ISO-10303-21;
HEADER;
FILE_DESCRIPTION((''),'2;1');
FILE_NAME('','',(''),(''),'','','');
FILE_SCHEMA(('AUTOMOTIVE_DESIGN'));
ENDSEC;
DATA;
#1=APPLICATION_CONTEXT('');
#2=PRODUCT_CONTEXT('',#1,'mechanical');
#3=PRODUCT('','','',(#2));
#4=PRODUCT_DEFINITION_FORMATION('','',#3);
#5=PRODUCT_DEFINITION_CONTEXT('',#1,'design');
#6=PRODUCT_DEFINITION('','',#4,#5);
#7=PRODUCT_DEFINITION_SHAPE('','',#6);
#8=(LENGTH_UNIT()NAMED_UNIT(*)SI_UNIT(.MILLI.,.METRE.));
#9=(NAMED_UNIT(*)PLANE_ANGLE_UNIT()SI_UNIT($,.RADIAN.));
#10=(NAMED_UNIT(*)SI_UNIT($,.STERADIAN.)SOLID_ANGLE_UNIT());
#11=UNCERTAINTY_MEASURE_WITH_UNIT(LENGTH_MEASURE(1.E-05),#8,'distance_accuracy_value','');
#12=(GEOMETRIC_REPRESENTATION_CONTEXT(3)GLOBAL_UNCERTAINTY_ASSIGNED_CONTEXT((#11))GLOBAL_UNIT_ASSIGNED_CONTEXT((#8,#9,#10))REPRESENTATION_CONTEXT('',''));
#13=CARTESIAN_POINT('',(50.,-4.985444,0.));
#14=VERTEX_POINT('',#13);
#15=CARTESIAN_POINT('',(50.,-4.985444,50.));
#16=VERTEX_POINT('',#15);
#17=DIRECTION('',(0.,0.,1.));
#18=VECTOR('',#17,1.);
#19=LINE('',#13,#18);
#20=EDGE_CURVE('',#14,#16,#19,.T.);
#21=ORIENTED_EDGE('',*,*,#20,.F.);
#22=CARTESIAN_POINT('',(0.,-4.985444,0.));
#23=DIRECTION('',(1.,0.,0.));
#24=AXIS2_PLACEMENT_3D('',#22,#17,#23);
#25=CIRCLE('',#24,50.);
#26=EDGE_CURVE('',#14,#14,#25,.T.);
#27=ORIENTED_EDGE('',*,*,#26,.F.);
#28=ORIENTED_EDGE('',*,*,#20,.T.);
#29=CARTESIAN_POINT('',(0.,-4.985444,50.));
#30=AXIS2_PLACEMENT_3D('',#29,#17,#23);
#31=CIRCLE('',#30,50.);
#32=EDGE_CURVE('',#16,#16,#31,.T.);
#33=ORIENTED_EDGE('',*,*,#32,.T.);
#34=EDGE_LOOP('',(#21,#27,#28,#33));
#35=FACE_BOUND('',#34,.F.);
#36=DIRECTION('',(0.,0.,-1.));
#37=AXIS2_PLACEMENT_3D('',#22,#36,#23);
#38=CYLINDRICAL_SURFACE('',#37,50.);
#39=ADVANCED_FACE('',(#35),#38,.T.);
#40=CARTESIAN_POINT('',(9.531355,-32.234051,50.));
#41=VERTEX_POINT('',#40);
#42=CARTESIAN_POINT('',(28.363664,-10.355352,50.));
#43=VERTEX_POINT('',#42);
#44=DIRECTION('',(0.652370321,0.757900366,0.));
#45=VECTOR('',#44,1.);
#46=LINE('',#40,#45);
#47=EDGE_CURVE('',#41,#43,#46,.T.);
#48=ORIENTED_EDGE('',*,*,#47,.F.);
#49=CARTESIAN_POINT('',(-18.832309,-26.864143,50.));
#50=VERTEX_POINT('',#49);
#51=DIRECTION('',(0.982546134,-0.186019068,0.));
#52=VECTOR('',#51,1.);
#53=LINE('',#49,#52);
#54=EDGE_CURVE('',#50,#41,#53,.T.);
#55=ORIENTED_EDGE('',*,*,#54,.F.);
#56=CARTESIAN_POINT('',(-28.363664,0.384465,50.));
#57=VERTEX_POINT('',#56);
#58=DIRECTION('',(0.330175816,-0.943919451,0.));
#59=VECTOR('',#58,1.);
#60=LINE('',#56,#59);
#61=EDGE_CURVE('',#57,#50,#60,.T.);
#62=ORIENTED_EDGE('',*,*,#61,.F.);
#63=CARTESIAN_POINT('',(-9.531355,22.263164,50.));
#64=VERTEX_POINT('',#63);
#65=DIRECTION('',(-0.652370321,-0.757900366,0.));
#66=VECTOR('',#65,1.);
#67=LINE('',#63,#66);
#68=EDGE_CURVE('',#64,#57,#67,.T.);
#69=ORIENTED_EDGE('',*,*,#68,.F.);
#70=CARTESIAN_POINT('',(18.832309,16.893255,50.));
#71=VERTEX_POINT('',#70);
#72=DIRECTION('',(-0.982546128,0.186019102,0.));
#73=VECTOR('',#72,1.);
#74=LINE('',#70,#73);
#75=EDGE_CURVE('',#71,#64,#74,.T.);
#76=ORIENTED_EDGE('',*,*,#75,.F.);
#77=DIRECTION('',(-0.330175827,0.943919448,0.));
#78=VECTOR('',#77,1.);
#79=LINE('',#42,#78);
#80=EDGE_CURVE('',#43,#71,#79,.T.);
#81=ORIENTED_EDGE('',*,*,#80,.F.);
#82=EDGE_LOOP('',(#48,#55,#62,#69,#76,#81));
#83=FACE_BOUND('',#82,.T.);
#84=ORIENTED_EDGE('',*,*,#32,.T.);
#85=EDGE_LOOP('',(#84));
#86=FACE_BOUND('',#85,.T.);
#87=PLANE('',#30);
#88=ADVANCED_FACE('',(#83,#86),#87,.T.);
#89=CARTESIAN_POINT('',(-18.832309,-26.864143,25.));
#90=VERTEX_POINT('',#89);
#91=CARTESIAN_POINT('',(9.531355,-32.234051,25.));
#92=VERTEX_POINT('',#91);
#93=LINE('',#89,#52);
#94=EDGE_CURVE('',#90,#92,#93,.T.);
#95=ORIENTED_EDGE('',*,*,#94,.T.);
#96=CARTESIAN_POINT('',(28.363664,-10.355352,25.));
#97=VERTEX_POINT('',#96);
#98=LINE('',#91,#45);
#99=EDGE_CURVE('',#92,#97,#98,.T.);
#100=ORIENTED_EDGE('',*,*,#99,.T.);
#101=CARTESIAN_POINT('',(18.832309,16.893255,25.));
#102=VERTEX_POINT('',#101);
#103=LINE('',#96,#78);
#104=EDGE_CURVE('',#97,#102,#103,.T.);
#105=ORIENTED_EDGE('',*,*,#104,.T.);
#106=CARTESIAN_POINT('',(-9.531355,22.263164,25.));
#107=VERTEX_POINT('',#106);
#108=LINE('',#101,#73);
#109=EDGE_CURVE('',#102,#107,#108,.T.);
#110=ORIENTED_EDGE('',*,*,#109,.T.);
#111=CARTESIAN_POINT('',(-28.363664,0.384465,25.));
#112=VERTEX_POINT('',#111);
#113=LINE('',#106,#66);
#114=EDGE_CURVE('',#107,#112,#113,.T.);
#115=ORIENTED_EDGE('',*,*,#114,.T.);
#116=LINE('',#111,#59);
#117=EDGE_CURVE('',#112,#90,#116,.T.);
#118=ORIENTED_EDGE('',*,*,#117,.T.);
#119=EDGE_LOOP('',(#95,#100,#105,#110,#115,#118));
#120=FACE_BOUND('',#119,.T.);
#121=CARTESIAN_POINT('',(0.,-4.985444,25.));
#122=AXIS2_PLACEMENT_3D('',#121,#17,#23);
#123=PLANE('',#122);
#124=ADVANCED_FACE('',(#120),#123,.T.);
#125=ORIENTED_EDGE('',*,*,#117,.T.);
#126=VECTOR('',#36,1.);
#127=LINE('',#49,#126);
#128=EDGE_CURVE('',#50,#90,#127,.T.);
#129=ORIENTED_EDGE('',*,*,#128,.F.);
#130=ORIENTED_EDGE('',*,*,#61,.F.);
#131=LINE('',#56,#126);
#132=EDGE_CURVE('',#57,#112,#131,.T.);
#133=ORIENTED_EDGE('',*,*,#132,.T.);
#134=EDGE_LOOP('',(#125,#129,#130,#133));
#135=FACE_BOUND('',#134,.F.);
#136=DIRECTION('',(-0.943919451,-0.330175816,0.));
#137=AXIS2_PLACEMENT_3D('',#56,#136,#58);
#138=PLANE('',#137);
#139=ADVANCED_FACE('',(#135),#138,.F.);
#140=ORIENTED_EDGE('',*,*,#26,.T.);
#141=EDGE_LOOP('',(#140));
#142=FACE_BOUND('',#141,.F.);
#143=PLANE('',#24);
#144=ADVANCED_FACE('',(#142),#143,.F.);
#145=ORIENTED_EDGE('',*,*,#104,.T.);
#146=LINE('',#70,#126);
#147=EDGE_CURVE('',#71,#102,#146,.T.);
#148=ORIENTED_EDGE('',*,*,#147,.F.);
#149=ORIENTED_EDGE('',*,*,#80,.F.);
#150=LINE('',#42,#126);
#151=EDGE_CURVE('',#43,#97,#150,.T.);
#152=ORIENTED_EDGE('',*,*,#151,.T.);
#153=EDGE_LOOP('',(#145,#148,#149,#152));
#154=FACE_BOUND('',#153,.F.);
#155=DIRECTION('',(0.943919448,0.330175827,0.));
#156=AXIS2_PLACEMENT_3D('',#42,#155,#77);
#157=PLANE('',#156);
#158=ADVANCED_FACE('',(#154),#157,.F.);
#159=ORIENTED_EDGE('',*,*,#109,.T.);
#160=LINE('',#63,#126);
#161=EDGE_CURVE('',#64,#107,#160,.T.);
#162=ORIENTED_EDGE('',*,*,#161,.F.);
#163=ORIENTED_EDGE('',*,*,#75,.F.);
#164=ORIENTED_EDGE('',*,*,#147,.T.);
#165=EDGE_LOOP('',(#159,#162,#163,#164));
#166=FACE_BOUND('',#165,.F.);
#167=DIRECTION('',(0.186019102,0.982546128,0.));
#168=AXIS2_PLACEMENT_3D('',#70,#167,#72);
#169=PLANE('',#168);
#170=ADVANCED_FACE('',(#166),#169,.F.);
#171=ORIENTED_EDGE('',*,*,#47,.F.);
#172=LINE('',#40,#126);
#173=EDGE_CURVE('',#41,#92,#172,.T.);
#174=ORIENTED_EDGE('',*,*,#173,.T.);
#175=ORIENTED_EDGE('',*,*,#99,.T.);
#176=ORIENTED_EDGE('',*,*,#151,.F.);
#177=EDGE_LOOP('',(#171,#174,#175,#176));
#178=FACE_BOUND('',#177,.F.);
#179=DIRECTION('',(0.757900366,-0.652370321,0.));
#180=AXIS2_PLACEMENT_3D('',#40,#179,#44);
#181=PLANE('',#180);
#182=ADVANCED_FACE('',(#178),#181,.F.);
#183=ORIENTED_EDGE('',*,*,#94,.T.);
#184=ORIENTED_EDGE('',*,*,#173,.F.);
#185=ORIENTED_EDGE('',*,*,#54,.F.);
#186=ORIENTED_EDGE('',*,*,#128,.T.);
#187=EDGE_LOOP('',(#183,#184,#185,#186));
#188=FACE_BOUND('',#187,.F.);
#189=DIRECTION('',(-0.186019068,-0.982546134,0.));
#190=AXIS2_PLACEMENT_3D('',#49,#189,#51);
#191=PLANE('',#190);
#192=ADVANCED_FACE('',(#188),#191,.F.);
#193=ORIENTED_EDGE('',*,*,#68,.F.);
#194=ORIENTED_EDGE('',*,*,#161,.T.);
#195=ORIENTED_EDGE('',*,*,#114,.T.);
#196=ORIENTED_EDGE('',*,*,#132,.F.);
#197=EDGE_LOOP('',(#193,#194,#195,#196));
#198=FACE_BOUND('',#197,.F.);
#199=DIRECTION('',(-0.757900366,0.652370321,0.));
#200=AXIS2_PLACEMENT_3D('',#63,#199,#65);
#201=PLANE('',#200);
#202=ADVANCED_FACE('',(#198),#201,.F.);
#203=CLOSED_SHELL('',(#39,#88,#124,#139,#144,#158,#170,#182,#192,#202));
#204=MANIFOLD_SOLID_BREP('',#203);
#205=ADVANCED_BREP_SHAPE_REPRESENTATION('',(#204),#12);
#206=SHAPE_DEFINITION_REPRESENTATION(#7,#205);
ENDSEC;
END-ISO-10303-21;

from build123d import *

# Parameters (mm, degrees)
F0_R     = 50
F1_DEPTH = 50
F3_DEPTH = 25


with BuildPart() as f1:
    # F0 (on Top) → F1 (new body)
    with BuildSketch(Plane.XY):
        with Locations((0, -4.985444)):
            Circle(F0_R)
    extrude(amount=F1_DEPTH)

    # F2 (on face) → F3 (cut)
    with BuildSketch(Plane.XY.offset(50)):
        Polygon((-9.531355, 22.263164), (-28.363664, 0.384465), (-18.832309, -26.864143), (9.531355, -32.234051), (28.363664, -10.355352), (18.832309, 16.893255), align=None)
    extrude(amount=-F3_DEPTH, mode=Mode.SUBTRACT)


solid = f1.part
